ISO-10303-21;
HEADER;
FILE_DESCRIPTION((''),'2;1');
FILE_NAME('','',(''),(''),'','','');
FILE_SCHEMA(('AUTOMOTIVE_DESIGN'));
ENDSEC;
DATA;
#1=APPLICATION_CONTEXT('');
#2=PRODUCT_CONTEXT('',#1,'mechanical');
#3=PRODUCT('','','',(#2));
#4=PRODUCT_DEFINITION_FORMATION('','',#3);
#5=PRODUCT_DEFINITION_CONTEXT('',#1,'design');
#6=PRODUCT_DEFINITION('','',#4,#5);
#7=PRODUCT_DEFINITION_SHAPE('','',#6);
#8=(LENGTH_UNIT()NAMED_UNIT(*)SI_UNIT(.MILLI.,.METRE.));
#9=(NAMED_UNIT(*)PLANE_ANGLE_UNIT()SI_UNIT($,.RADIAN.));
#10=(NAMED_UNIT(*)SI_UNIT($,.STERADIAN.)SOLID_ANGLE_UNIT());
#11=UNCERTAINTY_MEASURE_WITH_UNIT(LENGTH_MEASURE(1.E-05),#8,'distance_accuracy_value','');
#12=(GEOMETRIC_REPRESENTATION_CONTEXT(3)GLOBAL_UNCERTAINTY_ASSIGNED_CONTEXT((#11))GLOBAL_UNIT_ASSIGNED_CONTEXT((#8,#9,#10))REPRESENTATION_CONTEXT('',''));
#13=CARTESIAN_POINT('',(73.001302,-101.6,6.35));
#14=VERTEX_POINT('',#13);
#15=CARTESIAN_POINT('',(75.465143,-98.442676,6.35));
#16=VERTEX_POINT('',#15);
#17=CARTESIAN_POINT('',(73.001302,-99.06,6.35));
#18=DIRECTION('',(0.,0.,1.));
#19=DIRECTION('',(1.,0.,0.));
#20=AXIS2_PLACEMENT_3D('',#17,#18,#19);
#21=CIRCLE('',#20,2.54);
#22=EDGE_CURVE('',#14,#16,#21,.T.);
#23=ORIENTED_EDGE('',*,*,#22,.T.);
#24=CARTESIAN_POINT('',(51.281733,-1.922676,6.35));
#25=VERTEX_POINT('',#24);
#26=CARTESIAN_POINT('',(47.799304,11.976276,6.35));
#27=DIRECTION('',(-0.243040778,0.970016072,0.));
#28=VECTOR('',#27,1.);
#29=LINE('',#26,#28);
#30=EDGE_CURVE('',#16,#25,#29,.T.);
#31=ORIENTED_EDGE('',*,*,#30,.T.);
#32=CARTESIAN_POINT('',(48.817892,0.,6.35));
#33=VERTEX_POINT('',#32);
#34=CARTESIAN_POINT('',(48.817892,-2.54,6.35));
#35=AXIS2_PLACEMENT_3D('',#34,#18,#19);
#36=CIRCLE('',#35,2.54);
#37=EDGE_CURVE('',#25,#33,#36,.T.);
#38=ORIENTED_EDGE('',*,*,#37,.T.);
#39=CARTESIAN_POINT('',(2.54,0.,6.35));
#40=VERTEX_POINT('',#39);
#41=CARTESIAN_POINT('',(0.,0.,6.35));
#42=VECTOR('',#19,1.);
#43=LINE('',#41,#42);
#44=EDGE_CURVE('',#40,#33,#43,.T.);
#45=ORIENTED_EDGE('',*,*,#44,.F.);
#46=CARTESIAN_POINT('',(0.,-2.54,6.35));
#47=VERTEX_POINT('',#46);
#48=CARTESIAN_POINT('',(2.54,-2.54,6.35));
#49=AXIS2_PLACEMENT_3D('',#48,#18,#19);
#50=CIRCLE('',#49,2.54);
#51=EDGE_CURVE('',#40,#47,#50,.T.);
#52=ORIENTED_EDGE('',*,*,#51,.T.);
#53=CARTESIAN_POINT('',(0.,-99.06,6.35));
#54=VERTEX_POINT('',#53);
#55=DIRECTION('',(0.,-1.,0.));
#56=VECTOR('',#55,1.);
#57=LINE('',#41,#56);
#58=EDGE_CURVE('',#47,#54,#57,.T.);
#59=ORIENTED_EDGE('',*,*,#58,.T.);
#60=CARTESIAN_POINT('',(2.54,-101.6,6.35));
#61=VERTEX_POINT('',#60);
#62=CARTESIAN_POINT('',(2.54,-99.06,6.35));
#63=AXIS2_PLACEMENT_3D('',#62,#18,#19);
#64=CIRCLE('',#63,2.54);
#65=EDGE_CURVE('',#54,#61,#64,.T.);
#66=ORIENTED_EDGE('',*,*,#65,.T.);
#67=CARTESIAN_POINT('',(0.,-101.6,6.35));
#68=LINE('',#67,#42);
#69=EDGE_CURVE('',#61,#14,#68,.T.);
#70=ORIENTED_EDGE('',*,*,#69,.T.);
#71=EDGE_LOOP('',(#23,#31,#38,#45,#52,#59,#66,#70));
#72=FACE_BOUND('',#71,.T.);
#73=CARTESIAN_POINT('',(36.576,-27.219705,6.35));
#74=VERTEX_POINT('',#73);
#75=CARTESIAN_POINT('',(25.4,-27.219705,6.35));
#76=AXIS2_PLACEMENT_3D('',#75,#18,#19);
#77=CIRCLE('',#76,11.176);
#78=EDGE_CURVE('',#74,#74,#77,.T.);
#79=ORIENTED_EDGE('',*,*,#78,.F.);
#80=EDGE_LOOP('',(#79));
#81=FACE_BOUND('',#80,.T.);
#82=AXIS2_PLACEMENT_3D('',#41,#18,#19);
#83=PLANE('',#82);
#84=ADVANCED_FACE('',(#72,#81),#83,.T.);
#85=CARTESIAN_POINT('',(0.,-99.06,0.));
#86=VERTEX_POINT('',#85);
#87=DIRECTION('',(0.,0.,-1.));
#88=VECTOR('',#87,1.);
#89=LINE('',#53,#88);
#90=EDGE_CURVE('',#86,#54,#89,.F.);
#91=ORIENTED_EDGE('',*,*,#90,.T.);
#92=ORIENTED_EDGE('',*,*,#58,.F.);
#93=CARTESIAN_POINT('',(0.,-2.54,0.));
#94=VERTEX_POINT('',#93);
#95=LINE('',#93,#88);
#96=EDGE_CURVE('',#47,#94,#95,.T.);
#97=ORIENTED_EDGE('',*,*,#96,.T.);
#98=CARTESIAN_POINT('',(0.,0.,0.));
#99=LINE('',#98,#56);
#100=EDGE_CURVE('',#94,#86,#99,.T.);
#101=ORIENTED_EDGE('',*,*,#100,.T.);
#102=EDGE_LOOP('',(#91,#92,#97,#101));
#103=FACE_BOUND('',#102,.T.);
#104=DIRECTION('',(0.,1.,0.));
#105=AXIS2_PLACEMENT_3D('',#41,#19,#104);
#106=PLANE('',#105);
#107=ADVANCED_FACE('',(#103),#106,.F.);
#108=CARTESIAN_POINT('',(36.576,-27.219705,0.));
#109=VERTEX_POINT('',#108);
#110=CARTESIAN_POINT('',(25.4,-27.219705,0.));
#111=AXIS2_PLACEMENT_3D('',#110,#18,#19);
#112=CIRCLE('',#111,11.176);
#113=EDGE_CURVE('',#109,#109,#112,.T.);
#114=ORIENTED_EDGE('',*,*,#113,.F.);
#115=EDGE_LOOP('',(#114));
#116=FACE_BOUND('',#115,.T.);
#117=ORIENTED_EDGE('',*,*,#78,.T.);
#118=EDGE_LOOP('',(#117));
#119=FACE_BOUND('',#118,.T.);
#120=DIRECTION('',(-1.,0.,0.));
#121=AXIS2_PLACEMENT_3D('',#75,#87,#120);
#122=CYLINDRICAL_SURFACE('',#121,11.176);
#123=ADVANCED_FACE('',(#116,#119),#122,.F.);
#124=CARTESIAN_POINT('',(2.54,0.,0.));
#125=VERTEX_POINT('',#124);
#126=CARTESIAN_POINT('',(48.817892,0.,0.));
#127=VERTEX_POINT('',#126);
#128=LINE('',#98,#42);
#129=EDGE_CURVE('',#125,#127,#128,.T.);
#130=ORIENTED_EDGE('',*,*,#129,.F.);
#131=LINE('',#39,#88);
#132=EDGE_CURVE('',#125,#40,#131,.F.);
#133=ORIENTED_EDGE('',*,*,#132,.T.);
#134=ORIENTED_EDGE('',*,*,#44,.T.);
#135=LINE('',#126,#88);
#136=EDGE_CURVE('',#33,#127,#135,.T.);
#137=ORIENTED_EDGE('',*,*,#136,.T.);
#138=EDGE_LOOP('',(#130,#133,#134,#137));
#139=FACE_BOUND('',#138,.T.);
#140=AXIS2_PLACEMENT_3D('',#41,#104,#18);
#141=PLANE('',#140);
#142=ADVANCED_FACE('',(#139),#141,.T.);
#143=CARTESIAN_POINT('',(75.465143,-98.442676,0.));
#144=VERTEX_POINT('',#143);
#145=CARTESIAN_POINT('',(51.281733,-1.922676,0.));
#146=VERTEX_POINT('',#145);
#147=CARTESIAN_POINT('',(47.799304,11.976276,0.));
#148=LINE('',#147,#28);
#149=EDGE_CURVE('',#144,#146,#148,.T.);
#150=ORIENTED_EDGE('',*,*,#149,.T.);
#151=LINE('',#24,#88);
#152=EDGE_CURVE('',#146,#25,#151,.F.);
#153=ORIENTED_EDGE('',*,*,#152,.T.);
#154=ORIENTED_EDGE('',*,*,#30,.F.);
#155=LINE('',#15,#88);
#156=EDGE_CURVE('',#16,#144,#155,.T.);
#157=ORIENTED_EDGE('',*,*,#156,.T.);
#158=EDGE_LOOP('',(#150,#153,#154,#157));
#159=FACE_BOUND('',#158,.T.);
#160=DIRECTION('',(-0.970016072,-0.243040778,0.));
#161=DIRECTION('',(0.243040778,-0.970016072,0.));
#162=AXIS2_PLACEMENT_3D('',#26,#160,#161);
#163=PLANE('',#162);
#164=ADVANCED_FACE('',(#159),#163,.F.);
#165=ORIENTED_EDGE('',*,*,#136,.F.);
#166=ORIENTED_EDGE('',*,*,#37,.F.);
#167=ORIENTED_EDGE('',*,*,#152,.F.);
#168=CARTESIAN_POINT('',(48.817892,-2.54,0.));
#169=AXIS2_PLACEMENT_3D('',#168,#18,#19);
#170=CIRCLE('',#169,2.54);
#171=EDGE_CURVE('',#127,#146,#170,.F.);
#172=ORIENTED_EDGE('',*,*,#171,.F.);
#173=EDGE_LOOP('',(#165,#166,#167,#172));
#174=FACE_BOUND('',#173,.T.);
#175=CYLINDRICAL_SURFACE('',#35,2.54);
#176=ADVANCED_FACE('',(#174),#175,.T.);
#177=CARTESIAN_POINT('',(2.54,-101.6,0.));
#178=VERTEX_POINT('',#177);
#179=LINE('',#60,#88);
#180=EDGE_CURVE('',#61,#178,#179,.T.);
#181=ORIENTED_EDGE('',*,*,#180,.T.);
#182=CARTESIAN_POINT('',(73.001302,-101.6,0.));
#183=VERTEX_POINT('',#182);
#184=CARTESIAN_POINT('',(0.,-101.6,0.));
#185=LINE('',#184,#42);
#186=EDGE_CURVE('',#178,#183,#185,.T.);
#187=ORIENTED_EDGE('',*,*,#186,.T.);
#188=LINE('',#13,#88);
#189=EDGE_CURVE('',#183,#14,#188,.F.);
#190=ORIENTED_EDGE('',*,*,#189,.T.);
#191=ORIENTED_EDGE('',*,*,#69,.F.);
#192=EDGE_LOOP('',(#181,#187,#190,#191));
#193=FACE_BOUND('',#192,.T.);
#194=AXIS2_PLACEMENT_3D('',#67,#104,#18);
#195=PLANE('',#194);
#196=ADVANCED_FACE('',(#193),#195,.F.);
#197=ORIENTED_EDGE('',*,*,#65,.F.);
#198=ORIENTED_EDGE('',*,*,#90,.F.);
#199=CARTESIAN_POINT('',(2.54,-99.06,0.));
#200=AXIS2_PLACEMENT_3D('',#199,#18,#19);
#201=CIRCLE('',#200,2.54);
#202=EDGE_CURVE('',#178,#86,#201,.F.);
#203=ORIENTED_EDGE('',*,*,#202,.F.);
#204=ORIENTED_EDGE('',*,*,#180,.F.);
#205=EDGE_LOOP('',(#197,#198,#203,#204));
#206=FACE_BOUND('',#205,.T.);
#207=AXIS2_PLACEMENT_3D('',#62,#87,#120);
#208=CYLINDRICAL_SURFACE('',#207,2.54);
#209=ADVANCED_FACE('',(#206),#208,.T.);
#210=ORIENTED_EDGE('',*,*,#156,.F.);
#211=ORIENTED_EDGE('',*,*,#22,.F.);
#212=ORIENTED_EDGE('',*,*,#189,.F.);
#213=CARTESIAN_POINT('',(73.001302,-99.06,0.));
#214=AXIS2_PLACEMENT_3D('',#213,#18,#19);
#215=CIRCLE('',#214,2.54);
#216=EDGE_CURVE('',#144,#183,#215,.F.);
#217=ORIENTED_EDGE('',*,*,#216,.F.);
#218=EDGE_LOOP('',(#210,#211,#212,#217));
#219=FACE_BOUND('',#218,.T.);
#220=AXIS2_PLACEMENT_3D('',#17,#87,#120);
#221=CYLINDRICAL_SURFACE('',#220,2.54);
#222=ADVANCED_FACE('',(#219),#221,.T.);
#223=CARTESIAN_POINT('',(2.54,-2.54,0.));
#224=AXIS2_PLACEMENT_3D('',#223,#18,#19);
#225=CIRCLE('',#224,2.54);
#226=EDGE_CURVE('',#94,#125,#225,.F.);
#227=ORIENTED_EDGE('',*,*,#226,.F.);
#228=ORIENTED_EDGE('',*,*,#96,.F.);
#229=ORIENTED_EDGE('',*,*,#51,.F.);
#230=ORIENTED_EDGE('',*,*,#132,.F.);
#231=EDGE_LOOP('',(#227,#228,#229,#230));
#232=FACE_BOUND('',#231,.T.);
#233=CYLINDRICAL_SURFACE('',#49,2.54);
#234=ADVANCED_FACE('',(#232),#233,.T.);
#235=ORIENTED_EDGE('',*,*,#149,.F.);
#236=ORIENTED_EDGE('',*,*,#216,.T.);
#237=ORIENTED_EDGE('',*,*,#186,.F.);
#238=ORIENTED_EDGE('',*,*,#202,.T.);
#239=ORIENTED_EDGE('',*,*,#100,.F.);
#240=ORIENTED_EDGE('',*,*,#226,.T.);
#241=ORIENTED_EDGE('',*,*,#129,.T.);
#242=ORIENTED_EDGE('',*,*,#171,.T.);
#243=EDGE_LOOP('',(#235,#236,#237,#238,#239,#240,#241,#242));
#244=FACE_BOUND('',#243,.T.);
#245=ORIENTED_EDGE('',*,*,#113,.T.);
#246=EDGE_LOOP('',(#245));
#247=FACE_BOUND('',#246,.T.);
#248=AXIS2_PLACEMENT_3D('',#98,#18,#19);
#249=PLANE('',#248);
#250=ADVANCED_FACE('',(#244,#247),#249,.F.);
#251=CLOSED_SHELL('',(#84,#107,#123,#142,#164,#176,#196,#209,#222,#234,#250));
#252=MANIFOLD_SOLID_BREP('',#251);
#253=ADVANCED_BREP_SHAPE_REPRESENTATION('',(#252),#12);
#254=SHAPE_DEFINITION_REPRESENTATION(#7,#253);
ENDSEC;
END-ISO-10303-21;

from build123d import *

# Parameters (mm, degrees)
SKETCH1_W           = 50.8
SKETCH1_H           = 101.6
SKETCH1_R           = 11.176
BOSS_EXTRUDE1_DEPTH = 6.35
FILLET1_R           = 2.54


with BuildPart() as part:
    # Sketch1 → Boss-Extrude1 (new body)
    # profile 1 of 2: a face of its own
    with BuildSketch(Plane.XY):
        with Locations((25.4, -50.8)):
            Rectangle(SKETCH1_W, SKETCH1_H)
        with Locations((25.4, -27.219704654)):
            Circle(SKETCH1_R, mode=Mode.SUBTRACT)
    # profile 2 of 2: a face of its own
    with BuildSketch(Plane.XY):
        Polygon((50.8, -101.6), (76.256220575, -101.6), (50.8, 0), align=None)
    extrude(amount=BOSS_EXTRUDE1_DEPTH)

    # Fillet1
    fillet1_edges = [part.edges().sort_by_distance(p)[0] for p in [
        (0, -101.6, 3.175),
        (0, 0, 3.175),
        (50.8, 0, 3.175),
        (76.256220575, -101.6, 3.175),
    ]]
    fillet(fillet1_edges, radius=FILLET1_R)


solid = part.part
